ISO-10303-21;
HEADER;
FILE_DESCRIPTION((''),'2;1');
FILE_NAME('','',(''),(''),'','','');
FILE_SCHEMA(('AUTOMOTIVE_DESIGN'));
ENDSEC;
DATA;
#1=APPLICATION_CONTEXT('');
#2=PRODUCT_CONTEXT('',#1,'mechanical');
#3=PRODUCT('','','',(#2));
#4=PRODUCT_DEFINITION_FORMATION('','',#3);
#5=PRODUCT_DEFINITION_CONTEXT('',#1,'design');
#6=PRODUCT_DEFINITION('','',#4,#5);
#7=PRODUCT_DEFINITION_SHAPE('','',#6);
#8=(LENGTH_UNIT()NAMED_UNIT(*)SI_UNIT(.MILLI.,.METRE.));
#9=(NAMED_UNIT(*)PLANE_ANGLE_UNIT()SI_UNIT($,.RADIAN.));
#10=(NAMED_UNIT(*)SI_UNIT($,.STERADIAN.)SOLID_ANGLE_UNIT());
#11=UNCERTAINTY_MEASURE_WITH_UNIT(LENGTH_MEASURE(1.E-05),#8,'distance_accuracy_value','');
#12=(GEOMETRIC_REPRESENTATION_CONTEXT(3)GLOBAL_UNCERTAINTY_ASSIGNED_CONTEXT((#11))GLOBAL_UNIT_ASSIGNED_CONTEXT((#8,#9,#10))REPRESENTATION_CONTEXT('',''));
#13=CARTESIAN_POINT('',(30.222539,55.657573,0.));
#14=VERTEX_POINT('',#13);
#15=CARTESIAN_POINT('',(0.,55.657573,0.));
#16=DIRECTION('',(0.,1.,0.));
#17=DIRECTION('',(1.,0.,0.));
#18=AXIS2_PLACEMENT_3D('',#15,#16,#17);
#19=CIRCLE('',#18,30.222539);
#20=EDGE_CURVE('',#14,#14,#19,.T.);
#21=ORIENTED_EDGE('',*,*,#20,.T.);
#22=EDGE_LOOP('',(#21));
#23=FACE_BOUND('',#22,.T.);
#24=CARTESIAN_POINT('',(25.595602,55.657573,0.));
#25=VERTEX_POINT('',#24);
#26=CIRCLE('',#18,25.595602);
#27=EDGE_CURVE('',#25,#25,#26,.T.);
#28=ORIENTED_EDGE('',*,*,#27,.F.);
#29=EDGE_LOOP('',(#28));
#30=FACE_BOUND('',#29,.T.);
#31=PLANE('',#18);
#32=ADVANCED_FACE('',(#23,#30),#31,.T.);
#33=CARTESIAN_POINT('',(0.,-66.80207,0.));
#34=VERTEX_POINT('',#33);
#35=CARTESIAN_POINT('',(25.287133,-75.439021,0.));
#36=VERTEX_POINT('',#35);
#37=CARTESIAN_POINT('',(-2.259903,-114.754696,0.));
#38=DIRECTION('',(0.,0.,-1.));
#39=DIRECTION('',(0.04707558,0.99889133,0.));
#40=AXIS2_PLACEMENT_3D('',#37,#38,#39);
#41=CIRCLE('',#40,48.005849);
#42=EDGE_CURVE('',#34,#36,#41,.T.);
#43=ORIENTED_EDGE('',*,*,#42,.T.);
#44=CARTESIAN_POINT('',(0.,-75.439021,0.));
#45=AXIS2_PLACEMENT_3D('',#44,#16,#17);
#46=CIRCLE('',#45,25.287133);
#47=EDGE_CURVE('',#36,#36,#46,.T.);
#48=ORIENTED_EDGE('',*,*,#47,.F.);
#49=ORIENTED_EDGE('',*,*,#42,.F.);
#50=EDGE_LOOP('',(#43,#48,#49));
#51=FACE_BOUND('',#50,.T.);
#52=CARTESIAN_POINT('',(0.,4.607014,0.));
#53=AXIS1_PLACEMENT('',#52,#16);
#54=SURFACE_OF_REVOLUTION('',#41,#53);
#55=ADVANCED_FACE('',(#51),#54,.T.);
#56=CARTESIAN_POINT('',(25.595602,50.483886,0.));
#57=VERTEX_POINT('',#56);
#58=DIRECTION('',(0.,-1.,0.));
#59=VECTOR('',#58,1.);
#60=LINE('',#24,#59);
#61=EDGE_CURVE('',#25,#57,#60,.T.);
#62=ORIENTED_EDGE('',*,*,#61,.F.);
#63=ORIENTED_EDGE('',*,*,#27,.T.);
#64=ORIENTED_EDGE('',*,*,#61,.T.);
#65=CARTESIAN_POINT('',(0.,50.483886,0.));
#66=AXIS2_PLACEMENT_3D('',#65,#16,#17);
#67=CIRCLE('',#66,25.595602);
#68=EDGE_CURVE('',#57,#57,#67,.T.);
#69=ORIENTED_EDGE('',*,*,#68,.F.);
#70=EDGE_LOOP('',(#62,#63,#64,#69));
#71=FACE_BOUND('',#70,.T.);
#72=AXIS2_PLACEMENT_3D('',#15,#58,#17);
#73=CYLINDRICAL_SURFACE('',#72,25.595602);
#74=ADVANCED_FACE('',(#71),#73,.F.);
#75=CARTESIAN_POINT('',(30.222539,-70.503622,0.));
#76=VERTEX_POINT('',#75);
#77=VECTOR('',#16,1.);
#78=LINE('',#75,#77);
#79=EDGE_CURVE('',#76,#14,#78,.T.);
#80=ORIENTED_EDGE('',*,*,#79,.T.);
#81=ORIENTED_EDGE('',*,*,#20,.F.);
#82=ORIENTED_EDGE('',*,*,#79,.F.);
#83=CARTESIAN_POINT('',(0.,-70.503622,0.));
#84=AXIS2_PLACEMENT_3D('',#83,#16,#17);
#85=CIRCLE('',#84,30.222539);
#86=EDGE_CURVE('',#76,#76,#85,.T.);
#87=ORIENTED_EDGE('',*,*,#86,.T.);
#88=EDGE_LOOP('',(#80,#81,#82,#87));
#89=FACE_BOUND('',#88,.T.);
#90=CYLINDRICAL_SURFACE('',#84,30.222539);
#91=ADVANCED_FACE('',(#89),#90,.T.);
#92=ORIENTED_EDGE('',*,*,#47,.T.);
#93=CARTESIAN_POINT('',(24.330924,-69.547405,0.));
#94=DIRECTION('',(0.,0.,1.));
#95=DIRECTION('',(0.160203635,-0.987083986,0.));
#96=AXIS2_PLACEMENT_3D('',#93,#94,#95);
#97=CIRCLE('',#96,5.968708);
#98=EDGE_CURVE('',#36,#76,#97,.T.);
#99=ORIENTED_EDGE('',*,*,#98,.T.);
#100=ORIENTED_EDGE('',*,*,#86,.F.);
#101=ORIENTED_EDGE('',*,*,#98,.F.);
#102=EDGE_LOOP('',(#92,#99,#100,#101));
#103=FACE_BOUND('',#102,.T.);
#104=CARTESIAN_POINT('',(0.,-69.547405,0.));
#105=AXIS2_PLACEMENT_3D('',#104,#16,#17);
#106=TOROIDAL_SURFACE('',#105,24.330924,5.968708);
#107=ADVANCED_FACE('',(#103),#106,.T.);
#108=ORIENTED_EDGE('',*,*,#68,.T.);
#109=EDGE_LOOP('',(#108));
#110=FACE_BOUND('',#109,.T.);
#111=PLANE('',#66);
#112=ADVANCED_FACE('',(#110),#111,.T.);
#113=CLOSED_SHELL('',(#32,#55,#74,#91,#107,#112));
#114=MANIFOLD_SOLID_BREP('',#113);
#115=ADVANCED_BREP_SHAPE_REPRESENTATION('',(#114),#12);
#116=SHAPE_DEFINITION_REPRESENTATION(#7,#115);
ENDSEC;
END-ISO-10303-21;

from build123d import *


with BuildPart() as f1:
    # F0 (on Top) → F1 (revolve)
    with BuildSketch(Plane.XY):
        with BuildLine():
            ThreePointArc((0, -66.80207), (13.256625, -69.325643), (25.287133, -75.439021))
            ThreePointArc((25.287133, -75.439021), (28.551435, -73.767922), (30.222539, -70.503622))
            Line((30.222539, -70.503622), (30.222539, 55.657573))
            Line((30.222539, 55.657573), (25.595602, 55.657573))
            Line((25.595602, 55.657573), (25.595602, 50.483886))
            Line((25.595602, 50.483886), (0, 50.483886))
            Line((0, 50.483886), (0, -66.80207))
        make_face()
    revolve(axis=Axis((0, 4.607014, 0), (0, 1, 0)))


solid = f1.part
